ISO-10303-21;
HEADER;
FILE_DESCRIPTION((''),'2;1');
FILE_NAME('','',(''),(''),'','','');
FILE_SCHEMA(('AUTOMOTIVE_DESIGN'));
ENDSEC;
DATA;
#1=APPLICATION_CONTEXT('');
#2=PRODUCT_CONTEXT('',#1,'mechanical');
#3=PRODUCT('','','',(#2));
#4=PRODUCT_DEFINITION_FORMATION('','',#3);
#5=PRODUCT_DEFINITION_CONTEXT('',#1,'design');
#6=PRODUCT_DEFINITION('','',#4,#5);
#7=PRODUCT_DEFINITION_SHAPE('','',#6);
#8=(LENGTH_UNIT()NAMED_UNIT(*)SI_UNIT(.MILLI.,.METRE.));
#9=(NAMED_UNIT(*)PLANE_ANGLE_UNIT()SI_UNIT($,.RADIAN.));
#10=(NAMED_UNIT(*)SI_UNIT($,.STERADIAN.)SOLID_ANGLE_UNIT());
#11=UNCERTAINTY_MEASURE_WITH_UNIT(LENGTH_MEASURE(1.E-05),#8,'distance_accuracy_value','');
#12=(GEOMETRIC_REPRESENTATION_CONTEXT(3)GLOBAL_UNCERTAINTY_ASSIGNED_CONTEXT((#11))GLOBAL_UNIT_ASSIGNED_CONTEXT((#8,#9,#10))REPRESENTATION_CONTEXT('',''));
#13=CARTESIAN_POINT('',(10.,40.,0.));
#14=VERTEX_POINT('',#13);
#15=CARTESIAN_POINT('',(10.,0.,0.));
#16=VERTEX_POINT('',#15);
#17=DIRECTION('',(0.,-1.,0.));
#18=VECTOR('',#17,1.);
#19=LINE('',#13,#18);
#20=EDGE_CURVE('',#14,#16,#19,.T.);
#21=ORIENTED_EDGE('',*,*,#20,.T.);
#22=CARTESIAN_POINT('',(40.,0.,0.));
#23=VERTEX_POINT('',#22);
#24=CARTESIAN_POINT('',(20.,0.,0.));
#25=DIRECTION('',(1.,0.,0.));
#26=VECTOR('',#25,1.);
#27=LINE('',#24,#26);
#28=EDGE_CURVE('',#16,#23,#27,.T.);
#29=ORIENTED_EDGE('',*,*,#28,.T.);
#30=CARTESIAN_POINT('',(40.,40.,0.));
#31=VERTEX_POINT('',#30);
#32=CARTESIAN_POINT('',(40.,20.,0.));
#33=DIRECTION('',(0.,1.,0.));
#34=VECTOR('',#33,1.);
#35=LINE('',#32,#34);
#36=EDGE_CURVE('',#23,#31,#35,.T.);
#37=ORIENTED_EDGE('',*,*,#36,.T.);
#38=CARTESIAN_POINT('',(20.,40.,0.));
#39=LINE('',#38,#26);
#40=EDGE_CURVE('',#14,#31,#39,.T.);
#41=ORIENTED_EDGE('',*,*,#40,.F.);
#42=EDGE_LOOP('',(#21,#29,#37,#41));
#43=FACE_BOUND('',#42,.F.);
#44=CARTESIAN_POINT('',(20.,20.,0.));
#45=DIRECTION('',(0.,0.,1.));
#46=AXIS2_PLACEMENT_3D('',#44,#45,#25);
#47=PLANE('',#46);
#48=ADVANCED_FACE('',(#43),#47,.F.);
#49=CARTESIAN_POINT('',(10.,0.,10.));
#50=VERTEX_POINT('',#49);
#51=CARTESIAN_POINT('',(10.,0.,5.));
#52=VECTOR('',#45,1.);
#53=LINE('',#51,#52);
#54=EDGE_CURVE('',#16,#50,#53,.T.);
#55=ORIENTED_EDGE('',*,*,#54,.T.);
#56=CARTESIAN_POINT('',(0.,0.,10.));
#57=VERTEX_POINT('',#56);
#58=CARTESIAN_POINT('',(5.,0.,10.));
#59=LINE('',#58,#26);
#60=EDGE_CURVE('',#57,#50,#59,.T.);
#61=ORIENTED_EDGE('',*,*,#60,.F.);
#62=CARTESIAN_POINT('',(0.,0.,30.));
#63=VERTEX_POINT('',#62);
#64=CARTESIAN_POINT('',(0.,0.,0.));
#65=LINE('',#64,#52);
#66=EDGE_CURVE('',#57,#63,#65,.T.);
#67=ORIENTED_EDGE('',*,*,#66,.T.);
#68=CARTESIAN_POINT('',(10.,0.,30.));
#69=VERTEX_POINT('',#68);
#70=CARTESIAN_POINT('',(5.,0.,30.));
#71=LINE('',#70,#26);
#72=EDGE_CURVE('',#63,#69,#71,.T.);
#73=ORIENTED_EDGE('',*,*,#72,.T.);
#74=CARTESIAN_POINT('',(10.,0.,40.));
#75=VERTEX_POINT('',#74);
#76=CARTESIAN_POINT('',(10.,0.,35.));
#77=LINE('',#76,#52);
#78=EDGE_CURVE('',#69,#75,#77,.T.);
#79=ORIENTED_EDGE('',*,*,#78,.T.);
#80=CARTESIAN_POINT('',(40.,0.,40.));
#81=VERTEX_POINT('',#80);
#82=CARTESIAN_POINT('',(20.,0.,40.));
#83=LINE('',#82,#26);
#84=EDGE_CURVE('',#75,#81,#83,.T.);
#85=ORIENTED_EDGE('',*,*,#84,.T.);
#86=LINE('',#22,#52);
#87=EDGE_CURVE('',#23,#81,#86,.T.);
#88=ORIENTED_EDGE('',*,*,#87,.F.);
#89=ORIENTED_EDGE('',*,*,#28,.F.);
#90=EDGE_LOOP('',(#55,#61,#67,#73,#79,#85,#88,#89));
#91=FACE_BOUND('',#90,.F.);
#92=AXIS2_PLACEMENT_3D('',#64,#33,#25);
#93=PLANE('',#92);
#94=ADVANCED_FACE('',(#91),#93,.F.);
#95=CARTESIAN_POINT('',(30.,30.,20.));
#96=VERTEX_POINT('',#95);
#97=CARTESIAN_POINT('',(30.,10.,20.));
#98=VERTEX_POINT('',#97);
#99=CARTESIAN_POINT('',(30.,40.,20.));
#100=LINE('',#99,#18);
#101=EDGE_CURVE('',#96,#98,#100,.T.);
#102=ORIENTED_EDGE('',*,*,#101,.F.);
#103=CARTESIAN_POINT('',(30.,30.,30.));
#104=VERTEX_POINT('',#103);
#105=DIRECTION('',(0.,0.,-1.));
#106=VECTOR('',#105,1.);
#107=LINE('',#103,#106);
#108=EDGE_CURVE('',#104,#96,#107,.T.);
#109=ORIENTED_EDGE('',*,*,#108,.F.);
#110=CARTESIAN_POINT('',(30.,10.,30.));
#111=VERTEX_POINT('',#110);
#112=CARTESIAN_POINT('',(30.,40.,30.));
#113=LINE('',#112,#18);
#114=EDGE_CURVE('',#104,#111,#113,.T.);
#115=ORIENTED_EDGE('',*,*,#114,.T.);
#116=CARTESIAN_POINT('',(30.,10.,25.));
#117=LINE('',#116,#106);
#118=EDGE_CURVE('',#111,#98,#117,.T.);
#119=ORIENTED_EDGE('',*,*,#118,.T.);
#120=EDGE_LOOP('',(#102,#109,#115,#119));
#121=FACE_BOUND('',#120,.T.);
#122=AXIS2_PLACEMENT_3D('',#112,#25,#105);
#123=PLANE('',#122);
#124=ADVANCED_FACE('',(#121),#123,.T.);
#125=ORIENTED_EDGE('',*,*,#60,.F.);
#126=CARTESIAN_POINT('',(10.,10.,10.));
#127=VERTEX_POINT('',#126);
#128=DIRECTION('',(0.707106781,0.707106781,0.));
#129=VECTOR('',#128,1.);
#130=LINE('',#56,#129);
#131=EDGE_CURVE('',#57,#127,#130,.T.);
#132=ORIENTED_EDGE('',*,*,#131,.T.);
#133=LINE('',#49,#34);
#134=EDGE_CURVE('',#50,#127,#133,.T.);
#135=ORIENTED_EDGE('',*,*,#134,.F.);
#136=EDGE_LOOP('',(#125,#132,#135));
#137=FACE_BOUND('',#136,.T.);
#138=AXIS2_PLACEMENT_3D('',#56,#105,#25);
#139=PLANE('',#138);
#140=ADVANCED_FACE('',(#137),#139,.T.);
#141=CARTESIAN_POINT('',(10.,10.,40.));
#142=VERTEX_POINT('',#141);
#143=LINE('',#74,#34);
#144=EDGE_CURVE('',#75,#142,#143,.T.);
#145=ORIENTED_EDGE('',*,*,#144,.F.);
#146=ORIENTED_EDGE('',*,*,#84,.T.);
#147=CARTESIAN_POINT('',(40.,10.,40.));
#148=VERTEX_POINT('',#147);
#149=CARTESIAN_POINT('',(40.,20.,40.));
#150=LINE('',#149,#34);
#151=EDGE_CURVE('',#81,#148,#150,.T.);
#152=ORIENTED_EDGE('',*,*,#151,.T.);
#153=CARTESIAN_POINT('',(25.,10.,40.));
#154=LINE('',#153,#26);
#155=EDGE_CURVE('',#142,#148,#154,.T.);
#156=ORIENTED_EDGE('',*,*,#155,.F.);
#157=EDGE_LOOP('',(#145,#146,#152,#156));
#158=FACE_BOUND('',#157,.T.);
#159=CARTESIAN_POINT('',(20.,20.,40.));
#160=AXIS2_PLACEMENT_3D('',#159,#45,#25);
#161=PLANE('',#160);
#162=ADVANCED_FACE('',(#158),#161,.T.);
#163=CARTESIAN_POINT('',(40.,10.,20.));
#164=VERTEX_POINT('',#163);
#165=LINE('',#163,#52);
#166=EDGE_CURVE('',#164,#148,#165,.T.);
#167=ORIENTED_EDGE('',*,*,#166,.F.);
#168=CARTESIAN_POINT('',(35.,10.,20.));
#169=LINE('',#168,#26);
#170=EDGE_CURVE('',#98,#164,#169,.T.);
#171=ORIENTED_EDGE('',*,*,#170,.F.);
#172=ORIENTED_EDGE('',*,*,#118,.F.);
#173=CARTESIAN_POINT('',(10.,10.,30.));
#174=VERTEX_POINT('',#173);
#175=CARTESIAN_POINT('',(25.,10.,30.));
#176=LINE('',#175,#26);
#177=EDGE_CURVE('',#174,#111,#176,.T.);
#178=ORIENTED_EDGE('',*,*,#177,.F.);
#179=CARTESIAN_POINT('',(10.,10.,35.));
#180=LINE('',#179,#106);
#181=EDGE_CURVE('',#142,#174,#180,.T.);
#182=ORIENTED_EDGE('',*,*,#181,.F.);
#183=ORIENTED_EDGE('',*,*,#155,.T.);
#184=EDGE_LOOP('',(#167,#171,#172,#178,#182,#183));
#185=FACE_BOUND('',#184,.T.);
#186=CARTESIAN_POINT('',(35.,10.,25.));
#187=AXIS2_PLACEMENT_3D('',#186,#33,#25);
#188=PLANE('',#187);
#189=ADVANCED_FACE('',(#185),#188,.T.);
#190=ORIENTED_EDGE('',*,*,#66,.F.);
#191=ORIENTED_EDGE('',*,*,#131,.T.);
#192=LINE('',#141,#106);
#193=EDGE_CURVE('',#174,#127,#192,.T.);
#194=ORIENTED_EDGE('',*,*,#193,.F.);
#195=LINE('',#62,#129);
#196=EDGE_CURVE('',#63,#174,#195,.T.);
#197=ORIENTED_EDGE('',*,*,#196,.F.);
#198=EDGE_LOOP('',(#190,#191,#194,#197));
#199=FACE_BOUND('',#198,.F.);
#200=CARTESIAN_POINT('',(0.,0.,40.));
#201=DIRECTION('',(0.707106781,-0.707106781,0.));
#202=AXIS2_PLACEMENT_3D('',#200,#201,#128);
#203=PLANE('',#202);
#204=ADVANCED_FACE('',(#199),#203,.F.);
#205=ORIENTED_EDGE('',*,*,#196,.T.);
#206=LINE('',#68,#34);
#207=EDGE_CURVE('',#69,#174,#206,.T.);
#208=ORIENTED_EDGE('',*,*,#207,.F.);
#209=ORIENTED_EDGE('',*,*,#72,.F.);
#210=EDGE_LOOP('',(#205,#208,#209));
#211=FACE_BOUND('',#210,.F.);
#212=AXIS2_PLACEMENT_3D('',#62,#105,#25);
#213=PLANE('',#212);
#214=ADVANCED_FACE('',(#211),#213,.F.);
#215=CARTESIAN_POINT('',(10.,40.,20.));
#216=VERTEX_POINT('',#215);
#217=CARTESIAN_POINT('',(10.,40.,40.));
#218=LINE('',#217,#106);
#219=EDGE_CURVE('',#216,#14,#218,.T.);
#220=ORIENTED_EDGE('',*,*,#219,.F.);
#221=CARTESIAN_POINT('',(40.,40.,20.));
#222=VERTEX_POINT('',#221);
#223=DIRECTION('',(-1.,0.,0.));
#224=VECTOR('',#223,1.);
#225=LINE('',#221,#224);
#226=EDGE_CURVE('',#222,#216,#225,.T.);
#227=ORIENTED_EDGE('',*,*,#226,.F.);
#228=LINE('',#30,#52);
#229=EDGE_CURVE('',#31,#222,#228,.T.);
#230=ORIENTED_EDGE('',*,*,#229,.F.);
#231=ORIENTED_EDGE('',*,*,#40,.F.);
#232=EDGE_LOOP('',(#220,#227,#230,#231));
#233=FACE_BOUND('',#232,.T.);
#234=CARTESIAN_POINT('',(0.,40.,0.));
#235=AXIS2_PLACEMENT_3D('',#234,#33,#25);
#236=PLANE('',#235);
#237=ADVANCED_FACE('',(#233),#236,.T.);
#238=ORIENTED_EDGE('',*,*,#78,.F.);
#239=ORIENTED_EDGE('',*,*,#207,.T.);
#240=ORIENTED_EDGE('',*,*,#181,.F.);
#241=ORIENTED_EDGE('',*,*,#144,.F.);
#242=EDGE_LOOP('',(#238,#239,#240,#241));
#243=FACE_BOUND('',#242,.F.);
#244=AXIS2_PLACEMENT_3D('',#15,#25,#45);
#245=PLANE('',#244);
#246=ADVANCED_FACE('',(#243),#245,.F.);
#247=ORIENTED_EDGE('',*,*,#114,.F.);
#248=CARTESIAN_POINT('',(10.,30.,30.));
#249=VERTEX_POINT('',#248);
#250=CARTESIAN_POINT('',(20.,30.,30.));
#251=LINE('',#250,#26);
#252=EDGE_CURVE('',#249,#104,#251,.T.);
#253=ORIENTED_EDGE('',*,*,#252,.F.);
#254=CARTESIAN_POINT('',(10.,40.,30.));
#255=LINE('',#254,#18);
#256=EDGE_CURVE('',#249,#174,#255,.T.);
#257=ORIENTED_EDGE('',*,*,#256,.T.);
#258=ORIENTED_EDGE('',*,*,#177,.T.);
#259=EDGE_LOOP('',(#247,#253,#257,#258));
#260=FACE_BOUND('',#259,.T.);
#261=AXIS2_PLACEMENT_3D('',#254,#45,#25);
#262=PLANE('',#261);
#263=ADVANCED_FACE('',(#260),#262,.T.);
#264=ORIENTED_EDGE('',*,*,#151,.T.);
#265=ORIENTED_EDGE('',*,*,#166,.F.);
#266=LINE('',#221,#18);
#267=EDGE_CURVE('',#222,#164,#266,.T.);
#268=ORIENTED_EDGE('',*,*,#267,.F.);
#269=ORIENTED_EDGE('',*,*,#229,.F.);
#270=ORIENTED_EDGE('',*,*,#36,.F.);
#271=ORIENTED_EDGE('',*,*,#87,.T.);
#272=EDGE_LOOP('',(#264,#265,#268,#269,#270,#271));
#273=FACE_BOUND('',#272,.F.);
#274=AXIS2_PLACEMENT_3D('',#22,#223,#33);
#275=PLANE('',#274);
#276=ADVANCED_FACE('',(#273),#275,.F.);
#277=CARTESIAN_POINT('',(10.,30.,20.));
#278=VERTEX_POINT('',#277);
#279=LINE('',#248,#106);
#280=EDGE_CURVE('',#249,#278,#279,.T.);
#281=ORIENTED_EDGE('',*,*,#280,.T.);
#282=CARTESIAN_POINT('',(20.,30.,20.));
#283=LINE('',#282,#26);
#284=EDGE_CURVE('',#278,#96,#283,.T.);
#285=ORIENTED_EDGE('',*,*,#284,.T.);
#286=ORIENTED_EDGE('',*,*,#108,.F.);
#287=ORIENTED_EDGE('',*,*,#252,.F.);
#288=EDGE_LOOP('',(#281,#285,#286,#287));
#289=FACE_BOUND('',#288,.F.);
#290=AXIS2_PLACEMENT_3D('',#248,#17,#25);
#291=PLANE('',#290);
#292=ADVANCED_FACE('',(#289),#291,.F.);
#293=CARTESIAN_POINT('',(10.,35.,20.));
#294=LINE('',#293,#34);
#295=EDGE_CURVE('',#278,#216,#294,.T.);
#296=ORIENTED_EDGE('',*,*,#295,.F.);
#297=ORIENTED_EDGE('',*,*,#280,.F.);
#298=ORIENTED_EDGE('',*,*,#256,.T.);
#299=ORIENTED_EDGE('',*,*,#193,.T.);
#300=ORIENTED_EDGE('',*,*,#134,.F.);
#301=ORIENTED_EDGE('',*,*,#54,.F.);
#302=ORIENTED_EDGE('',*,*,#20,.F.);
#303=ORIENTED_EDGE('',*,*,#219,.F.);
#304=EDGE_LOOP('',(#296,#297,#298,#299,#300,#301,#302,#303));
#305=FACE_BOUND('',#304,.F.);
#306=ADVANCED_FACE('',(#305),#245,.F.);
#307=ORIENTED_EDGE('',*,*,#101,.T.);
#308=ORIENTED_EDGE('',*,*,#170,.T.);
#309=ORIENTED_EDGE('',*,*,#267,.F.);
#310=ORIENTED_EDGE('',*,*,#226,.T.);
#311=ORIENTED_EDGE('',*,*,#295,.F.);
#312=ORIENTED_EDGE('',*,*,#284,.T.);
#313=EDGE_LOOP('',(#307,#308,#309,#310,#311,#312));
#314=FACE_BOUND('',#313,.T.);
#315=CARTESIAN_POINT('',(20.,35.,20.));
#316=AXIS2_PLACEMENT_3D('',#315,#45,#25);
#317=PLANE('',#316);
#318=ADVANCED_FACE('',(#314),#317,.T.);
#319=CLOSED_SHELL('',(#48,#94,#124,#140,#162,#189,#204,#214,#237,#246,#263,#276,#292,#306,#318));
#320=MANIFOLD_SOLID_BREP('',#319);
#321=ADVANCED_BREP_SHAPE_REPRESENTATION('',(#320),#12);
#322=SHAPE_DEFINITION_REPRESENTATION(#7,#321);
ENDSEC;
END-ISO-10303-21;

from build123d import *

# Parameters (mm, degrees)
SKETCH1_W           = 40
SKETCH1_H           = 40
BOSS_EXTRUDE1_DEPTH = 40
SKETCH2_W           = 10
SKETCH2_H           = 30
CUT_EXTRUDE1_DEPTH  = 40
SKETCH3_W           = 10
SKETCH3_H           = 10
CUT_EXTRUDE2_DEPTH  = 40
SKETCH4_W           = 30
SKETCH4_H           = 10
CUT_EXTRUDE3_DEPTH  = 30
SKETCH5_W           = 10
SKETCH5_H           = 10
CUT_EXTRUDE4_DEPTH  = 30
SKETCH6_W           = 20
SKETCH6_H           = 10
CUT_EXTRUDE6_DEPTH  = 10


with BuildPart() as part:
    # Sketch1 → Boss-Extrude1 (new body)
    with BuildSketch(Plane.XY):
        with Locations((20, 20)):
            Rectangle(SKETCH1_W, SKETCH1_H)
    extrude(amount=BOSS_EXTRUDE1_DEPTH)

    # Sketch2 → Cut-Extrude1 (cut)
    with BuildSketch(Plane.XY.offset(40)):
        with Locations((5, 25)):
            Rectangle(SKETCH2_W, SKETCH2_H)
        Polygon((0, 0), (10, 10), (0, 10), align=None)
    extrude(amount=-CUT_EXTRUDE1_DEPTH, mode=Mode.SUBTRACT)

    # Sketch3 → Cut-Extrude2 (cut)
    with BuildSketch(Plane.XZ):
        with Locations((5, 5)):
            Rectangle(SKETCH3_W, SKETCH3_H)
        with Locations((5, 35)):
            Rectangle(SKETCH3_W, SKETCH3_H)
    extrude(amount=-CUT_EXTRUDE2_DEPTH, mode=Mode.SUBTRACT)

    # Sketch4 → Cut-Extrude3 (cut)
    with BuildSketch(Plane(origin=(0, 40, 0), x_dir=(1, 0, 0), z_dir=(0, 1, 0))):
        with Locations((25, -35)):
            Rectangle(SKETCH4_W, SKETCH4_H)
    extrude(amount=-CUT_EXTRUDE3_DEPTH, mode=Mode.SUBTRACT)

    # Sketch5 → Cut-Extrude4 (cut)
    with BuildSketch(Plane(origin=(0, 40, 0), x_dir=(1, 0, 0), z_dir=(0, 1, 0))):
        with Locations((35, -25)):
            Rectangle(SKETCH5_W, SKETCH5_H)
    extrude(amount=-CUT_EXTRUDE4_DEPTH, mode=Mode.SUBTRACT)

    # Sketch6 → Cut-Extrude6 (cut)
    with BuildSketch(Plane.XY.offset(30)):
        with Locations((20, 35)):
            Rectangle(SKETCH6_W, SKETCH6_H)
    extrude(amount=-CUT_EXTRUDE6_DEPTH, mode=Mode.SUBTRACT)


solid = part.part
